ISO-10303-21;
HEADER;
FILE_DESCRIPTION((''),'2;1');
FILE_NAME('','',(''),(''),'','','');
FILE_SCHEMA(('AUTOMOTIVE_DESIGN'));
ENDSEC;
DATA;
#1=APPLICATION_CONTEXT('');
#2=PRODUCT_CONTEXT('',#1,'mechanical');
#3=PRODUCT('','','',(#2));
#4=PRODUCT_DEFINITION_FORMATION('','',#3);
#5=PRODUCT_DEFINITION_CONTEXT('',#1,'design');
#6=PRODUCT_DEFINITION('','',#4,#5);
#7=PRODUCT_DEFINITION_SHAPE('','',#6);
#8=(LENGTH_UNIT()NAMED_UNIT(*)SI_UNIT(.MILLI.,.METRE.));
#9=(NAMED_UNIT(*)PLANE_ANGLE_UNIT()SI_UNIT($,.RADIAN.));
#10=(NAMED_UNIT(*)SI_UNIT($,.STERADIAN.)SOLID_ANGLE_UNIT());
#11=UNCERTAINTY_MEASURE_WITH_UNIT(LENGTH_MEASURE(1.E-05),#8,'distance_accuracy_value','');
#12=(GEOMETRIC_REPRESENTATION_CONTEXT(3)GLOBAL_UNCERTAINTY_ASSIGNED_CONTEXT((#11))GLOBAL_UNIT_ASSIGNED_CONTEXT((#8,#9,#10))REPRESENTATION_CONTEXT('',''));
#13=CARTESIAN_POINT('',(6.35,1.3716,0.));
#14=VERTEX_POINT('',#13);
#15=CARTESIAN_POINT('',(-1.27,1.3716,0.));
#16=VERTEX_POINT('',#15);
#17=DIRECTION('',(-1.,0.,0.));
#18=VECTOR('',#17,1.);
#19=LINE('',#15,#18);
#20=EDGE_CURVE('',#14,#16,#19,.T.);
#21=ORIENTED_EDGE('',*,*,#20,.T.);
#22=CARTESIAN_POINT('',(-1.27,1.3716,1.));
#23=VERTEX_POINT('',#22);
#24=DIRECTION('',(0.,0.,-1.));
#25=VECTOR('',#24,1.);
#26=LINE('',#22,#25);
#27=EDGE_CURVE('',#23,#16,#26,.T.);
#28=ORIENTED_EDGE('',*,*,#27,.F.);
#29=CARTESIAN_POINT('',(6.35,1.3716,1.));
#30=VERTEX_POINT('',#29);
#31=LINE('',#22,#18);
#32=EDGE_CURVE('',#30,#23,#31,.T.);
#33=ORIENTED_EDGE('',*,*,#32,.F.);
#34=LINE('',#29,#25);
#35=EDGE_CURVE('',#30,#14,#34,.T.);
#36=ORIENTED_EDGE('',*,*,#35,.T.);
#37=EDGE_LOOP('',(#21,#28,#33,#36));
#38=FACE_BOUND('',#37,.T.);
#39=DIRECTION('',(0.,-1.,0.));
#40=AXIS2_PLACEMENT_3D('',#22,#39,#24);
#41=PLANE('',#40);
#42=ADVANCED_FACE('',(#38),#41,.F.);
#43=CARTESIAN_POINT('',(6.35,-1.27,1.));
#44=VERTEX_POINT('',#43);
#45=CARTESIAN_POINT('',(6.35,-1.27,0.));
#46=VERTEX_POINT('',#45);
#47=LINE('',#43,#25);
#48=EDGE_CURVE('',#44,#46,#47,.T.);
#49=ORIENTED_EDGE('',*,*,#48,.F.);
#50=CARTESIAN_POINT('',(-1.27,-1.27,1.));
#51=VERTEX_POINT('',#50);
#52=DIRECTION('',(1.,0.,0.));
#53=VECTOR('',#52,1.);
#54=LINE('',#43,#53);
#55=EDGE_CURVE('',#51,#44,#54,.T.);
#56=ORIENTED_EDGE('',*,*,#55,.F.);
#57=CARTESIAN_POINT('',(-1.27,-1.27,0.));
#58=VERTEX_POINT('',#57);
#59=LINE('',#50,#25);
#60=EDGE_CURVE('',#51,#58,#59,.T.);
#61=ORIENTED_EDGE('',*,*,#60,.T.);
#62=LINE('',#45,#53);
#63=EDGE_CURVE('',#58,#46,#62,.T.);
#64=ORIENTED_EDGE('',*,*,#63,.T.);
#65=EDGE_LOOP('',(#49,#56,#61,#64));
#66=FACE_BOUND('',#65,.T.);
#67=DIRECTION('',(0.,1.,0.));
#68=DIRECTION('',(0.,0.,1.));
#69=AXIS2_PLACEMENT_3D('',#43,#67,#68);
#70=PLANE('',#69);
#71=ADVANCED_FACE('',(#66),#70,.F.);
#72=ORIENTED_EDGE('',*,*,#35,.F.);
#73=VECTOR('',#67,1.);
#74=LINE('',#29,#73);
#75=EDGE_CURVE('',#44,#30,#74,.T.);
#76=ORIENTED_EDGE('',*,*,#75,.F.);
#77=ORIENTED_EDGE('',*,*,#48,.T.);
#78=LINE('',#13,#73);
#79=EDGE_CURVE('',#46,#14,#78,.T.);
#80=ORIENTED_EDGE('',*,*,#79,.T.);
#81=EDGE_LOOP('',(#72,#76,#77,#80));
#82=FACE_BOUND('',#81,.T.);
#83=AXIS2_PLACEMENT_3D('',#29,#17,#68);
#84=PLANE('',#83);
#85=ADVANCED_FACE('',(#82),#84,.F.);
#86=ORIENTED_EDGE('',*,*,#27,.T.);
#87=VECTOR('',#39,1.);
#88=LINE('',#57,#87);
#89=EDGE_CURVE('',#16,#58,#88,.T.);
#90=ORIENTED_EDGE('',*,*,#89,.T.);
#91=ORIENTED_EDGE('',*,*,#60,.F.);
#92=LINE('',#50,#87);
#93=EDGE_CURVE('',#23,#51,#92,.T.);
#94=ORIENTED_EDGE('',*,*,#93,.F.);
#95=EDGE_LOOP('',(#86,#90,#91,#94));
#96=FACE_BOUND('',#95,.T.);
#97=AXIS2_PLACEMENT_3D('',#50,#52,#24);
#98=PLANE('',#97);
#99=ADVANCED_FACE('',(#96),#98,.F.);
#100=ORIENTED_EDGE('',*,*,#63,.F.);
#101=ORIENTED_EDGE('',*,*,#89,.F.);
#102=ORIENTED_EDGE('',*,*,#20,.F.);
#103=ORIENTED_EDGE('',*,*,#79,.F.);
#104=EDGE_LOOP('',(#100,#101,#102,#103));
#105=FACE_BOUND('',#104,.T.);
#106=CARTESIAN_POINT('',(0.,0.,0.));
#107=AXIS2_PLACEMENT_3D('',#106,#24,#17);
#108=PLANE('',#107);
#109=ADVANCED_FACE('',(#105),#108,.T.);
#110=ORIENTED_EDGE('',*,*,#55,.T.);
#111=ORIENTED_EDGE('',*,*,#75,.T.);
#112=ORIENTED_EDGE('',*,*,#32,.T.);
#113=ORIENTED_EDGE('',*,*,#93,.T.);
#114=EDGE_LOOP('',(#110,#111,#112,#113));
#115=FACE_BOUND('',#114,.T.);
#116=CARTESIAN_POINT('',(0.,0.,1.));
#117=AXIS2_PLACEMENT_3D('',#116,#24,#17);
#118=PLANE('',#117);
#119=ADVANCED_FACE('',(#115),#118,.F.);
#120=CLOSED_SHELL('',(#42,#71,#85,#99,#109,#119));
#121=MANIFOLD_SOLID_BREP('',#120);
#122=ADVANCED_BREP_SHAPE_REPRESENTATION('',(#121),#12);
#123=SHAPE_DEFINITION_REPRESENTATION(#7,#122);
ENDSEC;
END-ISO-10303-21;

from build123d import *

# Parameters (mm, degrees)
SKETCH1_W               = 7.62
SKETCH1_H               = 2.6416
COMPONENT_OUTLINE_DEPTH = 1


with BuildPart() as part:
    # Sketch1 → Component_Outline (new body)
    with BuildSketch(Plane.XY):
        with Locations((2.54, 0.0508)):
            Rectangle(SKETCH1_W, SKETCH1_H)
    extrude(amount=COMPONENT_OUTLINE_DEPTH)


solid = part.part
